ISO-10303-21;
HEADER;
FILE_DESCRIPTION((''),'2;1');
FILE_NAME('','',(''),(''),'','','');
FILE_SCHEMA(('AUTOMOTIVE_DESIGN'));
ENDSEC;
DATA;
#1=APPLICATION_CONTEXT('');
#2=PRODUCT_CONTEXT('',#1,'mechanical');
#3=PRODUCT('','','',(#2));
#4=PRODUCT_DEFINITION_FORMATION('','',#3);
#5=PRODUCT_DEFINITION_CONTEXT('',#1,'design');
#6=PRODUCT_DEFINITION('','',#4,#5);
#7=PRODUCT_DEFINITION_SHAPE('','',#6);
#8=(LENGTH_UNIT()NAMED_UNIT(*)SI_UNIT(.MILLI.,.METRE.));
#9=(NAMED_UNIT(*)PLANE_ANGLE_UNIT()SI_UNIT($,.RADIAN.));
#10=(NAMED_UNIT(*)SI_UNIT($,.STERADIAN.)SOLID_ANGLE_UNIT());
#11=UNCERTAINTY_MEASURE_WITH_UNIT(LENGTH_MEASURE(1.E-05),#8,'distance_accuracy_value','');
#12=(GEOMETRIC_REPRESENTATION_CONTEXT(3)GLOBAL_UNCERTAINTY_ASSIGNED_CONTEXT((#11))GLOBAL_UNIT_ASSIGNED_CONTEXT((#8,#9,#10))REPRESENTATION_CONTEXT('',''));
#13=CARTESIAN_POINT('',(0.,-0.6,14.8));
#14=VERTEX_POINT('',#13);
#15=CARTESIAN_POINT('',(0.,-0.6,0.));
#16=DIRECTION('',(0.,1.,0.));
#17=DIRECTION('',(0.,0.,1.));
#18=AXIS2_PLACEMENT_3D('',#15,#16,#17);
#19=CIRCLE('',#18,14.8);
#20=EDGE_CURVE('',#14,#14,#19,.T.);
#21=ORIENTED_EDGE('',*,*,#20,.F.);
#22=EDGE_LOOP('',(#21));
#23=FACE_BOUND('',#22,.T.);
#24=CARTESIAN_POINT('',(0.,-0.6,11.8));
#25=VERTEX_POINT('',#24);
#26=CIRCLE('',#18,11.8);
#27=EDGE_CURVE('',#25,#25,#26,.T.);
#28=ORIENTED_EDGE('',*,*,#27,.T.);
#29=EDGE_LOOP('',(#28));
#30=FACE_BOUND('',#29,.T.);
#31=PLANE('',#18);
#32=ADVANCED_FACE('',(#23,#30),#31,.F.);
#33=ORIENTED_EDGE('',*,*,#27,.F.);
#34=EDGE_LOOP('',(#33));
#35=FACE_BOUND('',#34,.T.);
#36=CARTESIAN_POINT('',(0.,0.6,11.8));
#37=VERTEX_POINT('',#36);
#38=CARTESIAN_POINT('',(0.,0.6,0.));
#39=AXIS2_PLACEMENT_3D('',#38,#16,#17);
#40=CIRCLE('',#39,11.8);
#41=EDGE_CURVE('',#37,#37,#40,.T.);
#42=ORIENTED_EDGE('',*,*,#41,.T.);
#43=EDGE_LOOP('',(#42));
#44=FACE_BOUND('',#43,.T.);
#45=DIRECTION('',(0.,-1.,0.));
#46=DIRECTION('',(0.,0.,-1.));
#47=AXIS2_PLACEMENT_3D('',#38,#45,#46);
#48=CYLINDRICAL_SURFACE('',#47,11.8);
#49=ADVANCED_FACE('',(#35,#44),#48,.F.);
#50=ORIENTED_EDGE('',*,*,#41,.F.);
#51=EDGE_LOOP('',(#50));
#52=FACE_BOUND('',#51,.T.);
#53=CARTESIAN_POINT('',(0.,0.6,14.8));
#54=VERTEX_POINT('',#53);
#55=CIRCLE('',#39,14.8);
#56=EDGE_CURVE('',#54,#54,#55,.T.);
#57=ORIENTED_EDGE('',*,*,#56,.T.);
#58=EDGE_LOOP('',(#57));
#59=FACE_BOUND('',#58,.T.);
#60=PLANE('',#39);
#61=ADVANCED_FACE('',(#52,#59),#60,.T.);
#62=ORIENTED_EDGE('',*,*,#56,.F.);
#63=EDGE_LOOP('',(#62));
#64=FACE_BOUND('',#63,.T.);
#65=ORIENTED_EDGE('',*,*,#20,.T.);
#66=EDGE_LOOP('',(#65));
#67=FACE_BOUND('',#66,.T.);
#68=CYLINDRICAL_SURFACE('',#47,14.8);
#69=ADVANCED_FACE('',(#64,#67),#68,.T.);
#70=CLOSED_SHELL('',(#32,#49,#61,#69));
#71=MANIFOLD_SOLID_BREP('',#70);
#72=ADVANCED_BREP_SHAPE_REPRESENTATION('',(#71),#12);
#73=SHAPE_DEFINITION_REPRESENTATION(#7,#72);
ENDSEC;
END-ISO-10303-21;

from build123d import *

# Parameters (mm, degrees)
PROFILES_R    = 14.8
PROFILES_R_2  = 11.8
PROFILE_DEPTH = 0.6


with BuildPart() as part:
    # ProfileS → Profile (new, symmetric)
    with BuildSketch(Plane(origin=(0, 0, 0), x_dir=(1, 0, 0), z_dir=(0, 1, 0))):
        with Locations(Location((0, 0, 0), (0, 0, 270))):
            Circle(PROFILES_R)
        with Locations(Location((0, 0, 0), (0, 0, 270))):
            Circle(PROFILES_R_2, mode=Mode.SUBTRACT)
    extrude(amount=PROFILE_DEPTH, both=True)


solid = part.part
